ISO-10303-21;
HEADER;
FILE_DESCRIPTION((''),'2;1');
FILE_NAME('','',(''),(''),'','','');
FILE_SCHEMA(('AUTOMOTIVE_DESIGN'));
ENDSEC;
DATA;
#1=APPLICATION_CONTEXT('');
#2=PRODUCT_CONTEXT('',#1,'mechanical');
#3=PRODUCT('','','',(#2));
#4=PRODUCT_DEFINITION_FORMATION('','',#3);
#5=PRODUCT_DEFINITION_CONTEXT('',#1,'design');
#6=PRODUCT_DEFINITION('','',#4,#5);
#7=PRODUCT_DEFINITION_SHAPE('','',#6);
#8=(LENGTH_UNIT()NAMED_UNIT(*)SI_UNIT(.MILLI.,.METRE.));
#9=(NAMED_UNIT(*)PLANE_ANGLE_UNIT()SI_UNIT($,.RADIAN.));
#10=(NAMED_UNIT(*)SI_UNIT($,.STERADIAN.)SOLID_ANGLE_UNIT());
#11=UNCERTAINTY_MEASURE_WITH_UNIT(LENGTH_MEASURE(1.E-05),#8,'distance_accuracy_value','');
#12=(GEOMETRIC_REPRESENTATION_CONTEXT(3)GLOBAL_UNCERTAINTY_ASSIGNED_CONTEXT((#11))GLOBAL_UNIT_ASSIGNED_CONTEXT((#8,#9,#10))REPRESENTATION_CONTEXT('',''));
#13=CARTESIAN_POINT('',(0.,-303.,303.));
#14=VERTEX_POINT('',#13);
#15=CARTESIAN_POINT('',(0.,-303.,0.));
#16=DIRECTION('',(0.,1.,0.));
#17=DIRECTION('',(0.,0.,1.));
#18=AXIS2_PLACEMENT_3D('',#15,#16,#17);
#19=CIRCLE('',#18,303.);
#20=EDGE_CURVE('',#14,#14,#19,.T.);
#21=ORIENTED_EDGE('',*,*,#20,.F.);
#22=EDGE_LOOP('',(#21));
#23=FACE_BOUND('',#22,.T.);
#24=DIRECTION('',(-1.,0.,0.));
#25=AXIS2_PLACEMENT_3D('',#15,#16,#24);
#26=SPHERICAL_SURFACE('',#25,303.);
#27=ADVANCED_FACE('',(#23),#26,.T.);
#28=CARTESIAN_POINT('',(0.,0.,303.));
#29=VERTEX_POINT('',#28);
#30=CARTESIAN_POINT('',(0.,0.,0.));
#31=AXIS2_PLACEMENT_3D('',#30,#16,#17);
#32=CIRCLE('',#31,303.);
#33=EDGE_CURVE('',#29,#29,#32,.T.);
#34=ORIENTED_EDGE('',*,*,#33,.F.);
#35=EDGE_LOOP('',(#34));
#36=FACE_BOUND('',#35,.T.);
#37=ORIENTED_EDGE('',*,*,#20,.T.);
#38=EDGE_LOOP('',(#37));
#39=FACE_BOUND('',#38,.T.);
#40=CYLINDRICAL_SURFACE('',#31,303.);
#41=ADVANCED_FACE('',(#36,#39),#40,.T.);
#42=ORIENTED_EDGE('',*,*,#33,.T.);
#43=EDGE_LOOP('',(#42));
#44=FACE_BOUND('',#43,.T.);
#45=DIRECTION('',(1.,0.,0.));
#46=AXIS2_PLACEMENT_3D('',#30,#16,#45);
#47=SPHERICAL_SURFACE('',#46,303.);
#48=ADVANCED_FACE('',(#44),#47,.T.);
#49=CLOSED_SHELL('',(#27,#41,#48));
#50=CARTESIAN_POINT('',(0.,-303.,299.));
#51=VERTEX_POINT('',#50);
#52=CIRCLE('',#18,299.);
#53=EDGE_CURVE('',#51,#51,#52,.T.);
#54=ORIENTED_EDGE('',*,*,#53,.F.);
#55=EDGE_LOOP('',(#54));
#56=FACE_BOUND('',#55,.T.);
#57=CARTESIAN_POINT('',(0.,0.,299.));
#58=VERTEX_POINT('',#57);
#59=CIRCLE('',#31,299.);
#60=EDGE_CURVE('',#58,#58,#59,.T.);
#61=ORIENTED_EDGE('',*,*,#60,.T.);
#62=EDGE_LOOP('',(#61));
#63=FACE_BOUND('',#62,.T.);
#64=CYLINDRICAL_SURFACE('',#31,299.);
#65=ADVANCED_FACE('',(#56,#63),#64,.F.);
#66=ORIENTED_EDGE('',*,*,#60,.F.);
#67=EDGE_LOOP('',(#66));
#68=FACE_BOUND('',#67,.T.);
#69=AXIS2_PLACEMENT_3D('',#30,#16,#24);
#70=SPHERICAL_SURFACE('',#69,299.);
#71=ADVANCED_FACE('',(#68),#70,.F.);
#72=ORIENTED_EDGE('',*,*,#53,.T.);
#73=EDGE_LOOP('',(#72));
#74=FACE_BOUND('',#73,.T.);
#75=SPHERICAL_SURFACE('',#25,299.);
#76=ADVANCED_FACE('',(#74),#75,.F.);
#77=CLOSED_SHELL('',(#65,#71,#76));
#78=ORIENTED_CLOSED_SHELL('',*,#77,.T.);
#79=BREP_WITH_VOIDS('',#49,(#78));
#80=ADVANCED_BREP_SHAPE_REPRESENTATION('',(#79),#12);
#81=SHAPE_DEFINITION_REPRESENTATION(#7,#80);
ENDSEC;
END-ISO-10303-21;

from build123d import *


with BuildPart() as part:
    # Sketch1 → Revolve1 (revolve)
    with BuildSketch(Plane.XY, mode=Mode.PRIVATE) as revolve1_sk:
        with BuildLine():
            Line((-303, 0), (-303, -303))
            ThreePointArc((-303, -303), (-214.2533547, -517.2533547), (0, -606))
            Line((0, -606), (0, -602))
            ThreePointArc((0, -602), (-211.424927575, -514.424927575), (-299, -303))
            Line((-299, -303), (-299, 0))
            ThreePointArc((-299, 0), (-211.424927575, 211.424927575), (0, 299))
            Line((0, 299), (0, 303))
            ThreePointArc((0, 303), (-214.2533547, 214.2533547), (-303, 0))
        make_face()
    revolve(revolve1_sk.sketch.rotate(Axis((0, 0, 0), (0, -1, 0)), 270), axis=Axis((0, 0, 0), (0, -1, 0)))


solid = part.part
